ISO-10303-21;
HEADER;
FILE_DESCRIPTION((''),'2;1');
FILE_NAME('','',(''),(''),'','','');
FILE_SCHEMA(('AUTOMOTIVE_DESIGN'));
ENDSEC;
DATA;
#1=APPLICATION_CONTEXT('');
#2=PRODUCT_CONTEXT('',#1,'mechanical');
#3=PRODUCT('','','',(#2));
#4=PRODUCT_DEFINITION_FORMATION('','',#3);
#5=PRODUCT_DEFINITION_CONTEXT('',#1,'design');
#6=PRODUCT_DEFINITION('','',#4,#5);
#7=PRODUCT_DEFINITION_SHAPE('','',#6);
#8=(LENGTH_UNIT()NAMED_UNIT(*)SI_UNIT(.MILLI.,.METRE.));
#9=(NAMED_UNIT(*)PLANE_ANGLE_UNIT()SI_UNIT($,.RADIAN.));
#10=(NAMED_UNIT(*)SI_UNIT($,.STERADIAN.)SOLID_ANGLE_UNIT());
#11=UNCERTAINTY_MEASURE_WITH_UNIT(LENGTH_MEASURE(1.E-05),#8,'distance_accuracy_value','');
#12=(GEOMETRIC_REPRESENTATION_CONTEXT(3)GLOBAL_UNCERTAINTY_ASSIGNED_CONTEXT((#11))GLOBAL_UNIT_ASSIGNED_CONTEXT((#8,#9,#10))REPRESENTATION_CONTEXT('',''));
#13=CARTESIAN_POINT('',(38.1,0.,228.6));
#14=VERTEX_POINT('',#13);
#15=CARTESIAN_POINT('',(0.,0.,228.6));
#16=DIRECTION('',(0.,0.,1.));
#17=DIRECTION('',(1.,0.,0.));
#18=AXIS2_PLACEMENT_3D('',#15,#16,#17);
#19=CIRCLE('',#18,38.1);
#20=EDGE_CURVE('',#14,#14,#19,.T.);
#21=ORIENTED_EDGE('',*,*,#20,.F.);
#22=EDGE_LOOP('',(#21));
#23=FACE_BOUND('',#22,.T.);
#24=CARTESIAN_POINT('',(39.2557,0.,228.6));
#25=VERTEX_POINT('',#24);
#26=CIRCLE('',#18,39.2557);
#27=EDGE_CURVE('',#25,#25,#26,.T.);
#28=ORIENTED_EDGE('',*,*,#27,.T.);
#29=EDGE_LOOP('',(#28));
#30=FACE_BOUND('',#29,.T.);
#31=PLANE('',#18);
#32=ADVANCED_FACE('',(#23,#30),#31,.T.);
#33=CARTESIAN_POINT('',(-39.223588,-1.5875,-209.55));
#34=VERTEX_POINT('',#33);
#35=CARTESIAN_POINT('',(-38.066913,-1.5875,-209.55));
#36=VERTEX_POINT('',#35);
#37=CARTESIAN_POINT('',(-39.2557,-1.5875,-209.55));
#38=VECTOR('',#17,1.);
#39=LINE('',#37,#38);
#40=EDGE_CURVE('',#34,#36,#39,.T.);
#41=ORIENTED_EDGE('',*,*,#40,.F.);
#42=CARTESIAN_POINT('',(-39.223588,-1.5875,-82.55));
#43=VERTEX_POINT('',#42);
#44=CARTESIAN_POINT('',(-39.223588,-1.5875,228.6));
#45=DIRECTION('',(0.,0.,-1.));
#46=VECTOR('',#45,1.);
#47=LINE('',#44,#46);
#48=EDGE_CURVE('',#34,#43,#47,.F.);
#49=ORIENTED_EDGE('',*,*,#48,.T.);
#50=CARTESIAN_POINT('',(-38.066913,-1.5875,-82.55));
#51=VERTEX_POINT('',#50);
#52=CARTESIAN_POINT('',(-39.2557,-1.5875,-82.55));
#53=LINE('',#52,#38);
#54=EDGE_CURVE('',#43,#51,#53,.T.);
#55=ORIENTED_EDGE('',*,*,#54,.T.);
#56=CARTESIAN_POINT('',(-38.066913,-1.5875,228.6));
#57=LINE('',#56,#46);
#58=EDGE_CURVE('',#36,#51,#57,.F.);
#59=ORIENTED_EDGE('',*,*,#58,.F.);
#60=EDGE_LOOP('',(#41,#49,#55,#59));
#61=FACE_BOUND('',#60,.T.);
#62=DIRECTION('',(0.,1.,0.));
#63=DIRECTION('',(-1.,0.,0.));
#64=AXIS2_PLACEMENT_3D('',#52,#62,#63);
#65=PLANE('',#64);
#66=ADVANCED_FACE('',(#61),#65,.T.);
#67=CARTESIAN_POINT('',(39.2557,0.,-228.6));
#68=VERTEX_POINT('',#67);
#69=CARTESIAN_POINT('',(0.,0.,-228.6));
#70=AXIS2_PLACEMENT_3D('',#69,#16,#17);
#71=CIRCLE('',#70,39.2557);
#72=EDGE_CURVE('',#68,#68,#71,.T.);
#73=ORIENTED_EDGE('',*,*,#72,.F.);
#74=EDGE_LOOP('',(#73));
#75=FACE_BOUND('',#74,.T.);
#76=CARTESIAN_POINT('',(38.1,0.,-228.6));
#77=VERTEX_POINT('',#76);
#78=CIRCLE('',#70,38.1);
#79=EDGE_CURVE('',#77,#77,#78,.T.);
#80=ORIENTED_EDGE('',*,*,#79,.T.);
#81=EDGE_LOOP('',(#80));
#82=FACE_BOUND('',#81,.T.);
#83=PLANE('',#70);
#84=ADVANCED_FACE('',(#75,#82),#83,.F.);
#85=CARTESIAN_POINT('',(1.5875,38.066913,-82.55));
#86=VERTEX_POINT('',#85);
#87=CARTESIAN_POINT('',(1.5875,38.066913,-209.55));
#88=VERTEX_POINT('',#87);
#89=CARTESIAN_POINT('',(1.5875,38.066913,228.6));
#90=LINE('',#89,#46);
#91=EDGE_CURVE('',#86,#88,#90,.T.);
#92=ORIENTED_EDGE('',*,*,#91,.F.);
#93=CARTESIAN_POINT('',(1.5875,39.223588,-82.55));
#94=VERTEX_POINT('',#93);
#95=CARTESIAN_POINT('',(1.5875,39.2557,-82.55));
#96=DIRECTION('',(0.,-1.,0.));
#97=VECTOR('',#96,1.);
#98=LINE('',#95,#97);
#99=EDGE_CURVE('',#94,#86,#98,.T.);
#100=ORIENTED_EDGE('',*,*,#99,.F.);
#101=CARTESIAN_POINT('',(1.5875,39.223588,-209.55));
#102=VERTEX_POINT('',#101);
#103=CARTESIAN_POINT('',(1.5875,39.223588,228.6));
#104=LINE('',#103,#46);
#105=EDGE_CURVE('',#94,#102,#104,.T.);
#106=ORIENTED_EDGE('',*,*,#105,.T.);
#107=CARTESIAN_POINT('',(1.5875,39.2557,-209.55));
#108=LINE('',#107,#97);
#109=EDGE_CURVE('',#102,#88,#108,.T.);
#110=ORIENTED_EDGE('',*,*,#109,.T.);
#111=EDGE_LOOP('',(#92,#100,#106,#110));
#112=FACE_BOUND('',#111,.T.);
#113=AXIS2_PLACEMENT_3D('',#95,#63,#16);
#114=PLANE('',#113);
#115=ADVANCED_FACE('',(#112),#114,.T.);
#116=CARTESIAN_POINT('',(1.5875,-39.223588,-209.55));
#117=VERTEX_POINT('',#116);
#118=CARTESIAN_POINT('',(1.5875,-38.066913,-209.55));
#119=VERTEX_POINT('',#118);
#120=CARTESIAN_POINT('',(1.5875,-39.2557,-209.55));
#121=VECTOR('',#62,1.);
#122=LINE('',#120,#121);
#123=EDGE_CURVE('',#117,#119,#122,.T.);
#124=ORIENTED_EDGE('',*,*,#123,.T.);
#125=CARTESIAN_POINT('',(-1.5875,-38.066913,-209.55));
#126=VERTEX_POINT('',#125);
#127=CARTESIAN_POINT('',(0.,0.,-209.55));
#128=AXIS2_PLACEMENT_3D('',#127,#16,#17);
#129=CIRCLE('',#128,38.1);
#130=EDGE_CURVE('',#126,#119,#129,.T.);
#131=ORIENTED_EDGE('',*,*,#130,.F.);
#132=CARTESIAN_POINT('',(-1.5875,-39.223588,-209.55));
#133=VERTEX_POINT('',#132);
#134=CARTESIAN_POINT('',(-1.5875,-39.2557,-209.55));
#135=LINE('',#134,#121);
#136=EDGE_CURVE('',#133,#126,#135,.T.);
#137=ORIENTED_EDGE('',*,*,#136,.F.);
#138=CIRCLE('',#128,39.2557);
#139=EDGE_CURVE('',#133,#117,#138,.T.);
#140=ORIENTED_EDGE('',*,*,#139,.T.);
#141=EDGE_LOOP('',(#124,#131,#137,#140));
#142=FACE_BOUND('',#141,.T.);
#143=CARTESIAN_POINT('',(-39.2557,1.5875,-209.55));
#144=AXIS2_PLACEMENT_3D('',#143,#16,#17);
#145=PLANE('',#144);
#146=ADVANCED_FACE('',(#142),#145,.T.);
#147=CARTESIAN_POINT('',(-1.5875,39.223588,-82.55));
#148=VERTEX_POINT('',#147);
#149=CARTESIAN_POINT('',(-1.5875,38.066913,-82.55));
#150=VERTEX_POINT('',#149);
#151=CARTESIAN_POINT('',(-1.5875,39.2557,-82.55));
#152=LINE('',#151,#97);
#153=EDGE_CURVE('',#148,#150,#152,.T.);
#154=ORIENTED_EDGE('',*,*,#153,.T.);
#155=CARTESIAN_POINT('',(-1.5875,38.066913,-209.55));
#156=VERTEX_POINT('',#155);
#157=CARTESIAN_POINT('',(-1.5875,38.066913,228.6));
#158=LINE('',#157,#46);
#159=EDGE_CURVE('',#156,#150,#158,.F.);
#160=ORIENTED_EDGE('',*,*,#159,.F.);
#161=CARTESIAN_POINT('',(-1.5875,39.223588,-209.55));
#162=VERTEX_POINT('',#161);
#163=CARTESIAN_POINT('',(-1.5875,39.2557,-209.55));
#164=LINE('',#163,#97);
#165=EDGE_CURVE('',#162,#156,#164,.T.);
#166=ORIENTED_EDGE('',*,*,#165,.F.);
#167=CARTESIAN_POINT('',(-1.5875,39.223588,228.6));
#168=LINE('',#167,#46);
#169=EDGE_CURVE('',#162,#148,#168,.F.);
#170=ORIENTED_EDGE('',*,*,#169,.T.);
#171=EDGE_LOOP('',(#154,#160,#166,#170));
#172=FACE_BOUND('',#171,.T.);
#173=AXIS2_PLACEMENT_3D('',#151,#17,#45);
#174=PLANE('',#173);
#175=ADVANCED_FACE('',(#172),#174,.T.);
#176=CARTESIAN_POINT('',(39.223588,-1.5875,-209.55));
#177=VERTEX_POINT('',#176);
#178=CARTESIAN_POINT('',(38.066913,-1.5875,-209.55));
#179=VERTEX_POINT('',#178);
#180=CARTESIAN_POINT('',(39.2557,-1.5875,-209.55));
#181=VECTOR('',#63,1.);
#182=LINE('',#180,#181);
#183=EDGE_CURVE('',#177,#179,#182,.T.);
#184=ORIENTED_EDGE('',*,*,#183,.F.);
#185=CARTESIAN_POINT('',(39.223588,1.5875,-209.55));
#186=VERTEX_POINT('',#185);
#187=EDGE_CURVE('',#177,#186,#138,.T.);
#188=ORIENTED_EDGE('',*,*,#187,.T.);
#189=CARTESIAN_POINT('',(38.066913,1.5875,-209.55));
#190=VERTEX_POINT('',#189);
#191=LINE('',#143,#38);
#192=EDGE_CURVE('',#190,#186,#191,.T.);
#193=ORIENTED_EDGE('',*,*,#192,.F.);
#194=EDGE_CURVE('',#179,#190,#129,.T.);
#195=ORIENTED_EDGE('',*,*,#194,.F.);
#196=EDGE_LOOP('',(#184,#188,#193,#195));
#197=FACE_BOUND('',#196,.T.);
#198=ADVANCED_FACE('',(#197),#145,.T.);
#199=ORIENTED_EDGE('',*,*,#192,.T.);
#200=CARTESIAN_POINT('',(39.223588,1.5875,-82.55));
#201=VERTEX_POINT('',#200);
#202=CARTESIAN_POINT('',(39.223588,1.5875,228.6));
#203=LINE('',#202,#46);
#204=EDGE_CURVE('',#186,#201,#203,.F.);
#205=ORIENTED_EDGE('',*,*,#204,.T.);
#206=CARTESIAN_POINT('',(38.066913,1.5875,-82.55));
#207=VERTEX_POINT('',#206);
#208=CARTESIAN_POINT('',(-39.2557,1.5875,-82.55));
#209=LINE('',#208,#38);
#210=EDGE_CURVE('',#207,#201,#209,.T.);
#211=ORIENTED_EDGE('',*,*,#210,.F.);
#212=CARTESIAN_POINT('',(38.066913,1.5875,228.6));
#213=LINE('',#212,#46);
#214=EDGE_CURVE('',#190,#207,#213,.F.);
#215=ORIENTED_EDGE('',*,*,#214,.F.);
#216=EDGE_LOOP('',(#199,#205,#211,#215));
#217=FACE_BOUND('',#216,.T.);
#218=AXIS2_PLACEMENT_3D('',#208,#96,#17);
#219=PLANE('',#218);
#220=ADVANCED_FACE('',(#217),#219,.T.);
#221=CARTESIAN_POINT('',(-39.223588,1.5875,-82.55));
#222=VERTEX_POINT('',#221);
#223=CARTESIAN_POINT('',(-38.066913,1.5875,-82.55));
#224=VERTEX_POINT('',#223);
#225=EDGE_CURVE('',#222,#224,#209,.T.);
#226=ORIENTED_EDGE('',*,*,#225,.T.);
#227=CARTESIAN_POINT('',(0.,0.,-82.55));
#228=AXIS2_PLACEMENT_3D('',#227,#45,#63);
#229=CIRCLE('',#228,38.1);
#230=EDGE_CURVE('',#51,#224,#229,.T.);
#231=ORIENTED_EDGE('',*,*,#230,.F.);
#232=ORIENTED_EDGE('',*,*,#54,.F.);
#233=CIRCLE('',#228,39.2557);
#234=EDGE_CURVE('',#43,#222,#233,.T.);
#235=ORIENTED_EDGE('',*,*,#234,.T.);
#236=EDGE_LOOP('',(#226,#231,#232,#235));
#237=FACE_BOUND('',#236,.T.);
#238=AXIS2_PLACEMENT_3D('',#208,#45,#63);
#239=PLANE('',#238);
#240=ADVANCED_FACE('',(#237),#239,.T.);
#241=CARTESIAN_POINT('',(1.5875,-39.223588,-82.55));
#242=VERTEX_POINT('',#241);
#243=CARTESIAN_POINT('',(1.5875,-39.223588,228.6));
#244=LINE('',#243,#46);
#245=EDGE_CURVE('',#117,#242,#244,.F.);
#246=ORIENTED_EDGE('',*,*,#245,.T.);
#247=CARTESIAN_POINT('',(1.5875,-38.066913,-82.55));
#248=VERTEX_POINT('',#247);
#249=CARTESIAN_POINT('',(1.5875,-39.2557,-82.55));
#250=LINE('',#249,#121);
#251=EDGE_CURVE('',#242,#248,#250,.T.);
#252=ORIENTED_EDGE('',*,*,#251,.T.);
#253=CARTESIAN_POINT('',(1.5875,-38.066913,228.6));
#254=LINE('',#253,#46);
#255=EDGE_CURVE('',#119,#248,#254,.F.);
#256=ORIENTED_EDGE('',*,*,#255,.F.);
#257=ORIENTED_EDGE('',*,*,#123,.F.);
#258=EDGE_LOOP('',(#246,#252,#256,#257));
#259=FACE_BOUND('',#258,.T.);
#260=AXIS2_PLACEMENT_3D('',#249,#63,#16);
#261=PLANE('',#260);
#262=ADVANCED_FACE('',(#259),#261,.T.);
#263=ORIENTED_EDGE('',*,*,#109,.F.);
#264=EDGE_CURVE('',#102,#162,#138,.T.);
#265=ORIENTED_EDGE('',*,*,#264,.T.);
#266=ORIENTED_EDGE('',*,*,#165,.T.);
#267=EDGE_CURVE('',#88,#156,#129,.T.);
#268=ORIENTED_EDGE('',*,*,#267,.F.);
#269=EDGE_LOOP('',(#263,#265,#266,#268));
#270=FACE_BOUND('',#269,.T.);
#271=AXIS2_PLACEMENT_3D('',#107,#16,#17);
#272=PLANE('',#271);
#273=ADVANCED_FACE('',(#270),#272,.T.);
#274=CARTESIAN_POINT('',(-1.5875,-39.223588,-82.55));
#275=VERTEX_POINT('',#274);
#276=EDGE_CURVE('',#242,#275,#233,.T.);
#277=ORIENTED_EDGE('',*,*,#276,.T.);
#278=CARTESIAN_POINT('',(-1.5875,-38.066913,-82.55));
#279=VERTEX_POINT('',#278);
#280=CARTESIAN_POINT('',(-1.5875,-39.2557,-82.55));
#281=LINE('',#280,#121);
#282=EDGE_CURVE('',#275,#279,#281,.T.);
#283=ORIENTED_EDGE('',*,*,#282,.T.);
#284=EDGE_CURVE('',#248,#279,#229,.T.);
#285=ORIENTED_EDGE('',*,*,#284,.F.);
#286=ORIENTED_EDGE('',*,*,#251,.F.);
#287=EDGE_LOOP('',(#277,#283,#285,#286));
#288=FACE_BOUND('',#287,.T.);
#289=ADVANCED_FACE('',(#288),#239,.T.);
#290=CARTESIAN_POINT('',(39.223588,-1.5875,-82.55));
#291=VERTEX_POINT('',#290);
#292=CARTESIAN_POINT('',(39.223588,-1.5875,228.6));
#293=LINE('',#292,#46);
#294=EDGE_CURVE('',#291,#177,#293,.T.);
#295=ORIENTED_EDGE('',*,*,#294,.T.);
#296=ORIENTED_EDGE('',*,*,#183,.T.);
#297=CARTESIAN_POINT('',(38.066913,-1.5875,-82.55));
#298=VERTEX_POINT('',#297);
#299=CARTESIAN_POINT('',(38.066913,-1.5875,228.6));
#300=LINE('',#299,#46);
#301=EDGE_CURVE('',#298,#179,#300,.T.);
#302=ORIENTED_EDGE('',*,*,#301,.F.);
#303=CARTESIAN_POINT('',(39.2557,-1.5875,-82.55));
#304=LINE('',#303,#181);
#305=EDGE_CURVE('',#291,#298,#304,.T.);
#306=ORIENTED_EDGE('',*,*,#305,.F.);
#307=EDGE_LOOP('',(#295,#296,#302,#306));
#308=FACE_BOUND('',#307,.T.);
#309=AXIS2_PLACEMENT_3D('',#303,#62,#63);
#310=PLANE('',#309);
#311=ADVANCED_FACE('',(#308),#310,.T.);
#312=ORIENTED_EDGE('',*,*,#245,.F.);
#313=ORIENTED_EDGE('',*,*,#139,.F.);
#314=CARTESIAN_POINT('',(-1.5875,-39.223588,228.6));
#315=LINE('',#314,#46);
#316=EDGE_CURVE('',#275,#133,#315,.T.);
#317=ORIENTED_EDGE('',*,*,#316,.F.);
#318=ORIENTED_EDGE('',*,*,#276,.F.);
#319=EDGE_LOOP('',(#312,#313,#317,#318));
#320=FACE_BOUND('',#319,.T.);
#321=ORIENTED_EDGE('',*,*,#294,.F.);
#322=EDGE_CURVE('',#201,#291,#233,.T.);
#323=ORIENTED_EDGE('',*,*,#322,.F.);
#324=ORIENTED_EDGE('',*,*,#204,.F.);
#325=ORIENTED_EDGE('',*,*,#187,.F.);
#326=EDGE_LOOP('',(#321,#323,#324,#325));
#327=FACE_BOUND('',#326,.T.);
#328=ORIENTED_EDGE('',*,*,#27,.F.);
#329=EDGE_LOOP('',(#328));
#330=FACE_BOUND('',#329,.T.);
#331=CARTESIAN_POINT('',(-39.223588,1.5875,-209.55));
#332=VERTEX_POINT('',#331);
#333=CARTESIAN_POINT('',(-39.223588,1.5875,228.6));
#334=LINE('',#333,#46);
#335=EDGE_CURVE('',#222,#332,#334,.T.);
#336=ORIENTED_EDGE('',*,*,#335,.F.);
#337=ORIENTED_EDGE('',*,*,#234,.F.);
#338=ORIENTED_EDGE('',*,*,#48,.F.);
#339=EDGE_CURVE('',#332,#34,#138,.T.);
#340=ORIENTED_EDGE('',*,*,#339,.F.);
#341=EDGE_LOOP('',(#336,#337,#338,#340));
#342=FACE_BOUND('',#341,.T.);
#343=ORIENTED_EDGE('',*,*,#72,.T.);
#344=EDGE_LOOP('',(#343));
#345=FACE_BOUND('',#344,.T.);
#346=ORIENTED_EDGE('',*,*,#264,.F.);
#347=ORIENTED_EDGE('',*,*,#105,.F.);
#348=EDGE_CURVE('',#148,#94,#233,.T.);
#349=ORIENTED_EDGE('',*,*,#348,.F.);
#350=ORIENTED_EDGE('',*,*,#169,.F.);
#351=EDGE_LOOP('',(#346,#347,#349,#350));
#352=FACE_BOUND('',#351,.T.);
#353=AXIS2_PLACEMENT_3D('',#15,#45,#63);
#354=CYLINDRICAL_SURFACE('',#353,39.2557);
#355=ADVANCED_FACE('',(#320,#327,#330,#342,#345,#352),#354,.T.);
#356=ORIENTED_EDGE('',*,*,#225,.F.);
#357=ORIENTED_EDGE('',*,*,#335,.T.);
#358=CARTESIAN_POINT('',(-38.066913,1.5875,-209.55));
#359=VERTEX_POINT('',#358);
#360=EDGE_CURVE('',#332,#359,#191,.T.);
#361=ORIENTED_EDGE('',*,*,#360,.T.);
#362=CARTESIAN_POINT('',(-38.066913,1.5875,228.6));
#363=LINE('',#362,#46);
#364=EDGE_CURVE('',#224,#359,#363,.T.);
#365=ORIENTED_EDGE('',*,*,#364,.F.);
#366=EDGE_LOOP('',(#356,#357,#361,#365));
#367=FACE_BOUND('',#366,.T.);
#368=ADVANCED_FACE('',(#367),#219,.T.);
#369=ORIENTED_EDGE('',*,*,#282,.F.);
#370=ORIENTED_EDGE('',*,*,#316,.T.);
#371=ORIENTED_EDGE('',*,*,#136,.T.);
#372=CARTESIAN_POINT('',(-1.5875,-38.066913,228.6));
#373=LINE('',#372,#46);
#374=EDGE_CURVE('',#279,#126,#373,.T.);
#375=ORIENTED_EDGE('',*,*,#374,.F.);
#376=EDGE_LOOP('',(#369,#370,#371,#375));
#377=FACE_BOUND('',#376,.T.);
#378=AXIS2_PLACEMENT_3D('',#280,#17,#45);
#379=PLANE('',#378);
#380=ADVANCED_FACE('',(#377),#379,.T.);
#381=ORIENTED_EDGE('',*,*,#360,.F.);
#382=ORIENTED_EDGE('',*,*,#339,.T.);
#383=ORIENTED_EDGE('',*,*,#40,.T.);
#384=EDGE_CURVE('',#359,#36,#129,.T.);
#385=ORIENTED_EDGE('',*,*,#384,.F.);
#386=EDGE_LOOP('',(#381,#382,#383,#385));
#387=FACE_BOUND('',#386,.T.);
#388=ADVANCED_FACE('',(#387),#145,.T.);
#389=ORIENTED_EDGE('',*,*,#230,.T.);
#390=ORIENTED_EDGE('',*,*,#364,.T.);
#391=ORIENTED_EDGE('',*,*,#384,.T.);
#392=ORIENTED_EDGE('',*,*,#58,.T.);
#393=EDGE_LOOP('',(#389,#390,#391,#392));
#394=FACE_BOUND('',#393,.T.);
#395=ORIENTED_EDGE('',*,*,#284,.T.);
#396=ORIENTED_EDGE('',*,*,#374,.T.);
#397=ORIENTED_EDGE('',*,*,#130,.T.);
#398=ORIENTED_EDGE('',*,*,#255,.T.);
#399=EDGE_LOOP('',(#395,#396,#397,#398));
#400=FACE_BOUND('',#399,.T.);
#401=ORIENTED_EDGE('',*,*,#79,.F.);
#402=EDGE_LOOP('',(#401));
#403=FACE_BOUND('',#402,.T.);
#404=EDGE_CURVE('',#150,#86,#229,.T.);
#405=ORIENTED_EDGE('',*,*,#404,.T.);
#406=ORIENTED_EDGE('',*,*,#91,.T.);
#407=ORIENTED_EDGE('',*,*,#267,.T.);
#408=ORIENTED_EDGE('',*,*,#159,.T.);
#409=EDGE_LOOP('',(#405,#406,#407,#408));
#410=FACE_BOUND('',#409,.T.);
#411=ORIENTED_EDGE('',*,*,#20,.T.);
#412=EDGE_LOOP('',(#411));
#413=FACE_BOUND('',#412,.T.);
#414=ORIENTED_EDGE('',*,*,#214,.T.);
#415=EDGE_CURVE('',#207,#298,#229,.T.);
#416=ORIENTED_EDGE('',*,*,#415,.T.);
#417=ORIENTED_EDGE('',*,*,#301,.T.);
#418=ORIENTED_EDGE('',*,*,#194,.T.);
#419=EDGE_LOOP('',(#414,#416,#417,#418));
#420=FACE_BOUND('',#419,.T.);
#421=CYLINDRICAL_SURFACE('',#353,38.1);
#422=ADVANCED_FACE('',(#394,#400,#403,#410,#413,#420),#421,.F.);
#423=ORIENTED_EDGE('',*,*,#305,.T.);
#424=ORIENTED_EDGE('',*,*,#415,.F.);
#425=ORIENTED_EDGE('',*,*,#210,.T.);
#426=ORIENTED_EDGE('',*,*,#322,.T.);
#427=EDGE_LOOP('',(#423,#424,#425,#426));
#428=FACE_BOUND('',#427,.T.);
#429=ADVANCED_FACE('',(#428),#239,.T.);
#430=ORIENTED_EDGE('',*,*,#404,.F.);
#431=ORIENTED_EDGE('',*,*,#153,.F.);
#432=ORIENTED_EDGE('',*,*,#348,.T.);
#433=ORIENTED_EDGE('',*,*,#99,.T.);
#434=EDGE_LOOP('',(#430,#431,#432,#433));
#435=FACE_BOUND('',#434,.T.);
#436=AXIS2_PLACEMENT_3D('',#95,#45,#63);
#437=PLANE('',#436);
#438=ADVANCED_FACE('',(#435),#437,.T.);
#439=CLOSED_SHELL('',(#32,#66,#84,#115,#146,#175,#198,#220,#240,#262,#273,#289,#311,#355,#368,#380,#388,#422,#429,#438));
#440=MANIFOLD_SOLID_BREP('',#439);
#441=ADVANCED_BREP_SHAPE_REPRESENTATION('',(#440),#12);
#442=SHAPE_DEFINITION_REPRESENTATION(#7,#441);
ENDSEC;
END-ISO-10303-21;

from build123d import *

# Parameters (mm, degrees)
SKETCH1_R           = 39.2557
SKETCH1_R_2         = 38.1
BOSS_EXTRUDE1_DEPTH = 228.6
SKETCH3_W           = 3.175
SKETCH3_H           = 127
CUT_EXTRUDE1_DEPTH  = 236.24451102
CIRPATTERN1_COUNT   = 4


with BuildPart() as part:
    # Sketch1 → Boss-Extrude1 (new, symmetric)
    with BuildSketch(Plane.XY):
        Circle(SKETCH1_R)
        Circle(SKETCH1_R_2, mode=Mode.SUBTRACT)
    extrude(amount=BOSS_EXTRUDE1_DEPTH, both=True)

    # Sketch3 → Cut-Extrude1 (cut, through all)
    with BuildSketch(Plane(origin=(0, 0, 0), x_dir=(1, 0, 0), z_dir=(0, 1, 0))):
        with Locations((0, 146.05)):
            Rectangle(SKETCH3_W, SKETCH3_H)
    cut_extrude1 = extrude(amount=CUT_EXTRUDE1_DEPTH, mode=Mode.SUBTRACT)

    # CirPattern1: Cut-Extrude1 ×4 about axis
    cirpattern1_axis = Axis((0, 0, 0), (0, 0, 1))
    for i in range(1, CIRPATTERN1_COUNT):
        add(cut_extrude1.rotate(cirpattern1_axis, i * 360 / CIRPATTERN1_COUNT), mode=Mode.SUBTRACT)


solid = part.part
